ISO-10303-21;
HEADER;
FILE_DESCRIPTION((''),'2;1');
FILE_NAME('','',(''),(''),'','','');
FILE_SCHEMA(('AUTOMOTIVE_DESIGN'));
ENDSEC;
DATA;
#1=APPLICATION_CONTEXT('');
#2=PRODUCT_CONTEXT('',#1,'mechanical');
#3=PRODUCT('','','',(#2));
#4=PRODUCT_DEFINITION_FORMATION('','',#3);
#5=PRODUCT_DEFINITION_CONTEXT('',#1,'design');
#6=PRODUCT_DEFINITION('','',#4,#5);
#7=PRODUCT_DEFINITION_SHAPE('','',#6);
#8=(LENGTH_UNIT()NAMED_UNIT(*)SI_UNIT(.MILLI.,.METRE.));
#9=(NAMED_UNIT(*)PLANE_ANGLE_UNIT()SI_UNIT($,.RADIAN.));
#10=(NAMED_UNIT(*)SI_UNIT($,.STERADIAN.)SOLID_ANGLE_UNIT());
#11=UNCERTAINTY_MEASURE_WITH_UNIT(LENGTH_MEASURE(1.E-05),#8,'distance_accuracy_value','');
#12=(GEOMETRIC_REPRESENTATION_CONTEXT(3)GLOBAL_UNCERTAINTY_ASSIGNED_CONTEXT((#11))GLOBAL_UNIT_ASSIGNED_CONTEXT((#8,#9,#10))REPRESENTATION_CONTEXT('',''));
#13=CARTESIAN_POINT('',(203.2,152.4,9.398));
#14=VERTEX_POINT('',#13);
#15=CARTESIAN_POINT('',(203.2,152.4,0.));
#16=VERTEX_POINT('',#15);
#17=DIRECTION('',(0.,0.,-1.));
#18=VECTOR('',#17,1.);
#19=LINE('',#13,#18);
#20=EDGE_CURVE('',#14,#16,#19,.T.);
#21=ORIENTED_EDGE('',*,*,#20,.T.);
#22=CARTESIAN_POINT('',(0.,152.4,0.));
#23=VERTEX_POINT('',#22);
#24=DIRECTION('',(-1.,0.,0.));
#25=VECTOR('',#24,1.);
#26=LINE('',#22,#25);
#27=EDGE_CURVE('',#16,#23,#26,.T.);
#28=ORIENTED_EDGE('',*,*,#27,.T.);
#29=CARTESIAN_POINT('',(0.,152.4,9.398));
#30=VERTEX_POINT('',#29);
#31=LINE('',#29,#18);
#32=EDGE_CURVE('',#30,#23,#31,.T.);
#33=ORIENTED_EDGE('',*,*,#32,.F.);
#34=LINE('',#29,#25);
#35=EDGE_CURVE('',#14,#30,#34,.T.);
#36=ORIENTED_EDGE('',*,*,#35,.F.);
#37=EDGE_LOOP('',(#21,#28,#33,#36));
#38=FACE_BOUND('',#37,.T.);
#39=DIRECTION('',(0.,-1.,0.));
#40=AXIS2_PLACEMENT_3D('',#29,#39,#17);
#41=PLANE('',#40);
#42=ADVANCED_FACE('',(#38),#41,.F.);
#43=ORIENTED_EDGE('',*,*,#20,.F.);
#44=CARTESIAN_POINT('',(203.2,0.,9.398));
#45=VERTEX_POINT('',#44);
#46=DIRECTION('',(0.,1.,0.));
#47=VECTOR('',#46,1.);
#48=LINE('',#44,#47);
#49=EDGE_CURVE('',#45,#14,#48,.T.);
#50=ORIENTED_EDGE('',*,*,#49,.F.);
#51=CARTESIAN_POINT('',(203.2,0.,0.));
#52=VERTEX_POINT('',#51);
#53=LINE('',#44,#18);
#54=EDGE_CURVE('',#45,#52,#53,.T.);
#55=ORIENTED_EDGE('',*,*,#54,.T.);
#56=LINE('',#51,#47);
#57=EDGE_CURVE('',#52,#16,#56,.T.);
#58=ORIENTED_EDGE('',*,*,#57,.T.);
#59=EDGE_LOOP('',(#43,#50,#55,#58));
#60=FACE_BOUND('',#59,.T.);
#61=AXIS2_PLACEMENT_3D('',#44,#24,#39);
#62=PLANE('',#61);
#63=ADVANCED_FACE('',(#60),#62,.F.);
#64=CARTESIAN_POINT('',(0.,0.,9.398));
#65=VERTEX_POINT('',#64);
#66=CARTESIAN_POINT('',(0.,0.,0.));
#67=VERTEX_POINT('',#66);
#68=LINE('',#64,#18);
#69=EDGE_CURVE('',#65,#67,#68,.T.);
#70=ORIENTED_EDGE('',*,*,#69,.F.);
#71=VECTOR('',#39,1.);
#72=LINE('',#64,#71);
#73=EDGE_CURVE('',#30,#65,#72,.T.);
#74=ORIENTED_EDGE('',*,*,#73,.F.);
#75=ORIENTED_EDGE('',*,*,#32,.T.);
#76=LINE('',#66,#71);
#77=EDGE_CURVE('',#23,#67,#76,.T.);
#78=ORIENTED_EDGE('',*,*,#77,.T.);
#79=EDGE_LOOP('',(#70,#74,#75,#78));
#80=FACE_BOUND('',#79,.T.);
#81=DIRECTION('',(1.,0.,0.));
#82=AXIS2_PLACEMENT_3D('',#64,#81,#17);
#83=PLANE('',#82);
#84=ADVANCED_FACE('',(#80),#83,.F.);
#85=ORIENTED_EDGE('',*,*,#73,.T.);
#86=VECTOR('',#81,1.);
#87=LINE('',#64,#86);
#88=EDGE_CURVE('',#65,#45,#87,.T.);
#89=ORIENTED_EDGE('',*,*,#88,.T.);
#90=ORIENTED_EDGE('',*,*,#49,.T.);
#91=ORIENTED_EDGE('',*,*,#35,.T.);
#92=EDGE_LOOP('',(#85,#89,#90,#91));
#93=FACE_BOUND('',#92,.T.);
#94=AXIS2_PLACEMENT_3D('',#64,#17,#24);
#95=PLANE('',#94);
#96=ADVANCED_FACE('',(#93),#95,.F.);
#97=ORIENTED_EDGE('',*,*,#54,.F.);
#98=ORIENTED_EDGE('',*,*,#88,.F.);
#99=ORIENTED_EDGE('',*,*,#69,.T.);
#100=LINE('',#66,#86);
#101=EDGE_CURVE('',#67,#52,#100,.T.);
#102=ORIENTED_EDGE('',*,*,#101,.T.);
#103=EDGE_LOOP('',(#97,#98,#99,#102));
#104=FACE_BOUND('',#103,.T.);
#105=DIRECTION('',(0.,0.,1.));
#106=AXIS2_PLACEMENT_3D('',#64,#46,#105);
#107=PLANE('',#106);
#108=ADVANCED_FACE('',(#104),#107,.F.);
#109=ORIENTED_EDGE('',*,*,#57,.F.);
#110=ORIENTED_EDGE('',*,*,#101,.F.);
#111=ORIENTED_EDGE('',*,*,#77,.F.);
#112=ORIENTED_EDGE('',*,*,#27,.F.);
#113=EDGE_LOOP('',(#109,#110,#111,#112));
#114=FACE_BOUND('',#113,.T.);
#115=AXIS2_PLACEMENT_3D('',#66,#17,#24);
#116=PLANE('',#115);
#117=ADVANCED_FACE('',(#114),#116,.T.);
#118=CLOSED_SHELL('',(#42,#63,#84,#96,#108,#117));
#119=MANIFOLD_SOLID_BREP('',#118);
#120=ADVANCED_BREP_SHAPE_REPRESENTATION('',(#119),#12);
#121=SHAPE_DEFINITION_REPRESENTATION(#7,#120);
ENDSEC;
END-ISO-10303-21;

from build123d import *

# Parameters (mm, degrees)
SKETCH1_W           = 203.2
SKETCH1_H           = 152.4
BOSS_EXTRUDE1_DEPTH = 9.398


with BuildPart() as part:
    # Sketch1 → Boss-Extrude1 (new body)
    with BuildSketch(Plane.XY):
        with Locations((101.6, 76.2)):
            Rectangle(SKETCH1_W, SKETCH1_H)
    extrude(amount=BOSS_EXTRUDE1_DEPTH)


solid = part.part
